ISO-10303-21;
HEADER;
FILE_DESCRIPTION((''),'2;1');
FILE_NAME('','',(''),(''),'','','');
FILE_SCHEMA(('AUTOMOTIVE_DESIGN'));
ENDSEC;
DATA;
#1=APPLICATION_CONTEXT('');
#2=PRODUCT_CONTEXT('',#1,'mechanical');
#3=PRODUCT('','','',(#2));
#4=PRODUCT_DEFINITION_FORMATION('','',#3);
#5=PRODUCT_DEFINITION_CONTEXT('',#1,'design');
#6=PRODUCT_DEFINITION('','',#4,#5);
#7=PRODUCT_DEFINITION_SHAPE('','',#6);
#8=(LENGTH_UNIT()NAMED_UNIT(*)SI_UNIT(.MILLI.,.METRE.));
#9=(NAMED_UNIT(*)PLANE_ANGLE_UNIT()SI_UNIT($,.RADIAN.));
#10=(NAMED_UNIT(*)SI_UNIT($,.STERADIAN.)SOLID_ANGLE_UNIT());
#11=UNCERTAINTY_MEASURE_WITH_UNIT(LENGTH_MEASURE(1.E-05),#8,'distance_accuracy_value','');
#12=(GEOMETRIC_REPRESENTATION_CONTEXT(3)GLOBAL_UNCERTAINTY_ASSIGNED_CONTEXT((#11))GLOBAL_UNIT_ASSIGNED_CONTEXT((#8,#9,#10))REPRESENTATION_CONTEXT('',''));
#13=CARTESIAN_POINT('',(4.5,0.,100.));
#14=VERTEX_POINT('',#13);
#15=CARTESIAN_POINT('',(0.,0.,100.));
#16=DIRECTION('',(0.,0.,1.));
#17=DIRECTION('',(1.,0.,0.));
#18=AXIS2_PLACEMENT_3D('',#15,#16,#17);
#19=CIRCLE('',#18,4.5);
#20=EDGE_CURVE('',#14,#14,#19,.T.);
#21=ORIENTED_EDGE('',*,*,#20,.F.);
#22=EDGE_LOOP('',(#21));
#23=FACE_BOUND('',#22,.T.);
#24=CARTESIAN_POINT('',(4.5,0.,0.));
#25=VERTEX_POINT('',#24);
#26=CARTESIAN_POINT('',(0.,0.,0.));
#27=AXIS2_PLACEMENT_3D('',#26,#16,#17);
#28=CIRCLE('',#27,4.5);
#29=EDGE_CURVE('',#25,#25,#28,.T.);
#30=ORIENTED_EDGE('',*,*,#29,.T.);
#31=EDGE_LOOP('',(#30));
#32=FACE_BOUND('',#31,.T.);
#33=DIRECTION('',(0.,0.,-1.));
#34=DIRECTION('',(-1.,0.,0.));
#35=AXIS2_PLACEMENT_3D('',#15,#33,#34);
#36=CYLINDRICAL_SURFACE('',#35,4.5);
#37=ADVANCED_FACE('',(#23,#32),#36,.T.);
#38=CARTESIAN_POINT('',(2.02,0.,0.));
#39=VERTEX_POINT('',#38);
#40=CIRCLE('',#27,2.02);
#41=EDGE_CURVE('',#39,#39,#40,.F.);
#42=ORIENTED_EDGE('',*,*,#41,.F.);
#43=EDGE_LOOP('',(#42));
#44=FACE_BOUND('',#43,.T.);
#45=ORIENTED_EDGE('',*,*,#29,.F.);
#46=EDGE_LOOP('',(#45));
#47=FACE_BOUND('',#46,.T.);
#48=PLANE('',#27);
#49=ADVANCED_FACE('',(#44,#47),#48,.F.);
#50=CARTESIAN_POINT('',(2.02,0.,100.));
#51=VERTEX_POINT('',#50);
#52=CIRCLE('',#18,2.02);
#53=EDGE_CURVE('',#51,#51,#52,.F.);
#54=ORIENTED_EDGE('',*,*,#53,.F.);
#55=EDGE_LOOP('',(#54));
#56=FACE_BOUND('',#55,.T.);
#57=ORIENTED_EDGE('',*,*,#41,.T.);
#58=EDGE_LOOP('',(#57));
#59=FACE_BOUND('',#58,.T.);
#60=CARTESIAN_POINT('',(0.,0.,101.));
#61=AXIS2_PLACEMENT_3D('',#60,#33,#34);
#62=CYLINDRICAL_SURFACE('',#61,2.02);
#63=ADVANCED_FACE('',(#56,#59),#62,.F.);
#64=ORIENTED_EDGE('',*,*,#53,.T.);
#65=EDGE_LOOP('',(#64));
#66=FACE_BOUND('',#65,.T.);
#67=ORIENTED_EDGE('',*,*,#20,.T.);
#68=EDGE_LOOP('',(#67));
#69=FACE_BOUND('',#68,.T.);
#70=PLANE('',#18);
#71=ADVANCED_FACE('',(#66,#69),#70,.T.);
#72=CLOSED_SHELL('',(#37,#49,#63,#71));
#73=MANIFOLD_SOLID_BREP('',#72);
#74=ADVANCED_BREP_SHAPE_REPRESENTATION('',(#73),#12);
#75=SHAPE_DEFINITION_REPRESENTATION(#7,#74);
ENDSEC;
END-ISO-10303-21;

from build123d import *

# Parameters (mm, degrees)
SKETCH_EXPANSION_COLUMN_R   = 4.5
EXPANSION_COLUMN_DEPTH      = 100
M4_THREAD_ENVELOPE_START    = -1
SKETCH_M4_THREAD_ENVELOPE_R = 2.02
M4_THREAD_ENVELOPE_DEPTH    = 102


with BuildPart() as part:
    # Sketch_Expansion_column → Expansion_column (new body)
    with BuildSketch(Plane.XY):
        Circle(SKETCH_EXPANSION_COLUMN_R)
    extrude(amount=EXPANSION_COLUMN_DEPTH)

    # Sketch_M4_thread_envelope → M4_thread_envelope (cut)
    with BuildSketch(Plane.XY.offset(M4_THREAD_ENVELOPE_START)):
        Circle(SKETCH_M4_THREAD_ENVELOPE_R)
    extrude(amount=M4_THREAD_ENVELOPE_DEPTH, mode=Mode.SUBTRACT)


solid = part.part
